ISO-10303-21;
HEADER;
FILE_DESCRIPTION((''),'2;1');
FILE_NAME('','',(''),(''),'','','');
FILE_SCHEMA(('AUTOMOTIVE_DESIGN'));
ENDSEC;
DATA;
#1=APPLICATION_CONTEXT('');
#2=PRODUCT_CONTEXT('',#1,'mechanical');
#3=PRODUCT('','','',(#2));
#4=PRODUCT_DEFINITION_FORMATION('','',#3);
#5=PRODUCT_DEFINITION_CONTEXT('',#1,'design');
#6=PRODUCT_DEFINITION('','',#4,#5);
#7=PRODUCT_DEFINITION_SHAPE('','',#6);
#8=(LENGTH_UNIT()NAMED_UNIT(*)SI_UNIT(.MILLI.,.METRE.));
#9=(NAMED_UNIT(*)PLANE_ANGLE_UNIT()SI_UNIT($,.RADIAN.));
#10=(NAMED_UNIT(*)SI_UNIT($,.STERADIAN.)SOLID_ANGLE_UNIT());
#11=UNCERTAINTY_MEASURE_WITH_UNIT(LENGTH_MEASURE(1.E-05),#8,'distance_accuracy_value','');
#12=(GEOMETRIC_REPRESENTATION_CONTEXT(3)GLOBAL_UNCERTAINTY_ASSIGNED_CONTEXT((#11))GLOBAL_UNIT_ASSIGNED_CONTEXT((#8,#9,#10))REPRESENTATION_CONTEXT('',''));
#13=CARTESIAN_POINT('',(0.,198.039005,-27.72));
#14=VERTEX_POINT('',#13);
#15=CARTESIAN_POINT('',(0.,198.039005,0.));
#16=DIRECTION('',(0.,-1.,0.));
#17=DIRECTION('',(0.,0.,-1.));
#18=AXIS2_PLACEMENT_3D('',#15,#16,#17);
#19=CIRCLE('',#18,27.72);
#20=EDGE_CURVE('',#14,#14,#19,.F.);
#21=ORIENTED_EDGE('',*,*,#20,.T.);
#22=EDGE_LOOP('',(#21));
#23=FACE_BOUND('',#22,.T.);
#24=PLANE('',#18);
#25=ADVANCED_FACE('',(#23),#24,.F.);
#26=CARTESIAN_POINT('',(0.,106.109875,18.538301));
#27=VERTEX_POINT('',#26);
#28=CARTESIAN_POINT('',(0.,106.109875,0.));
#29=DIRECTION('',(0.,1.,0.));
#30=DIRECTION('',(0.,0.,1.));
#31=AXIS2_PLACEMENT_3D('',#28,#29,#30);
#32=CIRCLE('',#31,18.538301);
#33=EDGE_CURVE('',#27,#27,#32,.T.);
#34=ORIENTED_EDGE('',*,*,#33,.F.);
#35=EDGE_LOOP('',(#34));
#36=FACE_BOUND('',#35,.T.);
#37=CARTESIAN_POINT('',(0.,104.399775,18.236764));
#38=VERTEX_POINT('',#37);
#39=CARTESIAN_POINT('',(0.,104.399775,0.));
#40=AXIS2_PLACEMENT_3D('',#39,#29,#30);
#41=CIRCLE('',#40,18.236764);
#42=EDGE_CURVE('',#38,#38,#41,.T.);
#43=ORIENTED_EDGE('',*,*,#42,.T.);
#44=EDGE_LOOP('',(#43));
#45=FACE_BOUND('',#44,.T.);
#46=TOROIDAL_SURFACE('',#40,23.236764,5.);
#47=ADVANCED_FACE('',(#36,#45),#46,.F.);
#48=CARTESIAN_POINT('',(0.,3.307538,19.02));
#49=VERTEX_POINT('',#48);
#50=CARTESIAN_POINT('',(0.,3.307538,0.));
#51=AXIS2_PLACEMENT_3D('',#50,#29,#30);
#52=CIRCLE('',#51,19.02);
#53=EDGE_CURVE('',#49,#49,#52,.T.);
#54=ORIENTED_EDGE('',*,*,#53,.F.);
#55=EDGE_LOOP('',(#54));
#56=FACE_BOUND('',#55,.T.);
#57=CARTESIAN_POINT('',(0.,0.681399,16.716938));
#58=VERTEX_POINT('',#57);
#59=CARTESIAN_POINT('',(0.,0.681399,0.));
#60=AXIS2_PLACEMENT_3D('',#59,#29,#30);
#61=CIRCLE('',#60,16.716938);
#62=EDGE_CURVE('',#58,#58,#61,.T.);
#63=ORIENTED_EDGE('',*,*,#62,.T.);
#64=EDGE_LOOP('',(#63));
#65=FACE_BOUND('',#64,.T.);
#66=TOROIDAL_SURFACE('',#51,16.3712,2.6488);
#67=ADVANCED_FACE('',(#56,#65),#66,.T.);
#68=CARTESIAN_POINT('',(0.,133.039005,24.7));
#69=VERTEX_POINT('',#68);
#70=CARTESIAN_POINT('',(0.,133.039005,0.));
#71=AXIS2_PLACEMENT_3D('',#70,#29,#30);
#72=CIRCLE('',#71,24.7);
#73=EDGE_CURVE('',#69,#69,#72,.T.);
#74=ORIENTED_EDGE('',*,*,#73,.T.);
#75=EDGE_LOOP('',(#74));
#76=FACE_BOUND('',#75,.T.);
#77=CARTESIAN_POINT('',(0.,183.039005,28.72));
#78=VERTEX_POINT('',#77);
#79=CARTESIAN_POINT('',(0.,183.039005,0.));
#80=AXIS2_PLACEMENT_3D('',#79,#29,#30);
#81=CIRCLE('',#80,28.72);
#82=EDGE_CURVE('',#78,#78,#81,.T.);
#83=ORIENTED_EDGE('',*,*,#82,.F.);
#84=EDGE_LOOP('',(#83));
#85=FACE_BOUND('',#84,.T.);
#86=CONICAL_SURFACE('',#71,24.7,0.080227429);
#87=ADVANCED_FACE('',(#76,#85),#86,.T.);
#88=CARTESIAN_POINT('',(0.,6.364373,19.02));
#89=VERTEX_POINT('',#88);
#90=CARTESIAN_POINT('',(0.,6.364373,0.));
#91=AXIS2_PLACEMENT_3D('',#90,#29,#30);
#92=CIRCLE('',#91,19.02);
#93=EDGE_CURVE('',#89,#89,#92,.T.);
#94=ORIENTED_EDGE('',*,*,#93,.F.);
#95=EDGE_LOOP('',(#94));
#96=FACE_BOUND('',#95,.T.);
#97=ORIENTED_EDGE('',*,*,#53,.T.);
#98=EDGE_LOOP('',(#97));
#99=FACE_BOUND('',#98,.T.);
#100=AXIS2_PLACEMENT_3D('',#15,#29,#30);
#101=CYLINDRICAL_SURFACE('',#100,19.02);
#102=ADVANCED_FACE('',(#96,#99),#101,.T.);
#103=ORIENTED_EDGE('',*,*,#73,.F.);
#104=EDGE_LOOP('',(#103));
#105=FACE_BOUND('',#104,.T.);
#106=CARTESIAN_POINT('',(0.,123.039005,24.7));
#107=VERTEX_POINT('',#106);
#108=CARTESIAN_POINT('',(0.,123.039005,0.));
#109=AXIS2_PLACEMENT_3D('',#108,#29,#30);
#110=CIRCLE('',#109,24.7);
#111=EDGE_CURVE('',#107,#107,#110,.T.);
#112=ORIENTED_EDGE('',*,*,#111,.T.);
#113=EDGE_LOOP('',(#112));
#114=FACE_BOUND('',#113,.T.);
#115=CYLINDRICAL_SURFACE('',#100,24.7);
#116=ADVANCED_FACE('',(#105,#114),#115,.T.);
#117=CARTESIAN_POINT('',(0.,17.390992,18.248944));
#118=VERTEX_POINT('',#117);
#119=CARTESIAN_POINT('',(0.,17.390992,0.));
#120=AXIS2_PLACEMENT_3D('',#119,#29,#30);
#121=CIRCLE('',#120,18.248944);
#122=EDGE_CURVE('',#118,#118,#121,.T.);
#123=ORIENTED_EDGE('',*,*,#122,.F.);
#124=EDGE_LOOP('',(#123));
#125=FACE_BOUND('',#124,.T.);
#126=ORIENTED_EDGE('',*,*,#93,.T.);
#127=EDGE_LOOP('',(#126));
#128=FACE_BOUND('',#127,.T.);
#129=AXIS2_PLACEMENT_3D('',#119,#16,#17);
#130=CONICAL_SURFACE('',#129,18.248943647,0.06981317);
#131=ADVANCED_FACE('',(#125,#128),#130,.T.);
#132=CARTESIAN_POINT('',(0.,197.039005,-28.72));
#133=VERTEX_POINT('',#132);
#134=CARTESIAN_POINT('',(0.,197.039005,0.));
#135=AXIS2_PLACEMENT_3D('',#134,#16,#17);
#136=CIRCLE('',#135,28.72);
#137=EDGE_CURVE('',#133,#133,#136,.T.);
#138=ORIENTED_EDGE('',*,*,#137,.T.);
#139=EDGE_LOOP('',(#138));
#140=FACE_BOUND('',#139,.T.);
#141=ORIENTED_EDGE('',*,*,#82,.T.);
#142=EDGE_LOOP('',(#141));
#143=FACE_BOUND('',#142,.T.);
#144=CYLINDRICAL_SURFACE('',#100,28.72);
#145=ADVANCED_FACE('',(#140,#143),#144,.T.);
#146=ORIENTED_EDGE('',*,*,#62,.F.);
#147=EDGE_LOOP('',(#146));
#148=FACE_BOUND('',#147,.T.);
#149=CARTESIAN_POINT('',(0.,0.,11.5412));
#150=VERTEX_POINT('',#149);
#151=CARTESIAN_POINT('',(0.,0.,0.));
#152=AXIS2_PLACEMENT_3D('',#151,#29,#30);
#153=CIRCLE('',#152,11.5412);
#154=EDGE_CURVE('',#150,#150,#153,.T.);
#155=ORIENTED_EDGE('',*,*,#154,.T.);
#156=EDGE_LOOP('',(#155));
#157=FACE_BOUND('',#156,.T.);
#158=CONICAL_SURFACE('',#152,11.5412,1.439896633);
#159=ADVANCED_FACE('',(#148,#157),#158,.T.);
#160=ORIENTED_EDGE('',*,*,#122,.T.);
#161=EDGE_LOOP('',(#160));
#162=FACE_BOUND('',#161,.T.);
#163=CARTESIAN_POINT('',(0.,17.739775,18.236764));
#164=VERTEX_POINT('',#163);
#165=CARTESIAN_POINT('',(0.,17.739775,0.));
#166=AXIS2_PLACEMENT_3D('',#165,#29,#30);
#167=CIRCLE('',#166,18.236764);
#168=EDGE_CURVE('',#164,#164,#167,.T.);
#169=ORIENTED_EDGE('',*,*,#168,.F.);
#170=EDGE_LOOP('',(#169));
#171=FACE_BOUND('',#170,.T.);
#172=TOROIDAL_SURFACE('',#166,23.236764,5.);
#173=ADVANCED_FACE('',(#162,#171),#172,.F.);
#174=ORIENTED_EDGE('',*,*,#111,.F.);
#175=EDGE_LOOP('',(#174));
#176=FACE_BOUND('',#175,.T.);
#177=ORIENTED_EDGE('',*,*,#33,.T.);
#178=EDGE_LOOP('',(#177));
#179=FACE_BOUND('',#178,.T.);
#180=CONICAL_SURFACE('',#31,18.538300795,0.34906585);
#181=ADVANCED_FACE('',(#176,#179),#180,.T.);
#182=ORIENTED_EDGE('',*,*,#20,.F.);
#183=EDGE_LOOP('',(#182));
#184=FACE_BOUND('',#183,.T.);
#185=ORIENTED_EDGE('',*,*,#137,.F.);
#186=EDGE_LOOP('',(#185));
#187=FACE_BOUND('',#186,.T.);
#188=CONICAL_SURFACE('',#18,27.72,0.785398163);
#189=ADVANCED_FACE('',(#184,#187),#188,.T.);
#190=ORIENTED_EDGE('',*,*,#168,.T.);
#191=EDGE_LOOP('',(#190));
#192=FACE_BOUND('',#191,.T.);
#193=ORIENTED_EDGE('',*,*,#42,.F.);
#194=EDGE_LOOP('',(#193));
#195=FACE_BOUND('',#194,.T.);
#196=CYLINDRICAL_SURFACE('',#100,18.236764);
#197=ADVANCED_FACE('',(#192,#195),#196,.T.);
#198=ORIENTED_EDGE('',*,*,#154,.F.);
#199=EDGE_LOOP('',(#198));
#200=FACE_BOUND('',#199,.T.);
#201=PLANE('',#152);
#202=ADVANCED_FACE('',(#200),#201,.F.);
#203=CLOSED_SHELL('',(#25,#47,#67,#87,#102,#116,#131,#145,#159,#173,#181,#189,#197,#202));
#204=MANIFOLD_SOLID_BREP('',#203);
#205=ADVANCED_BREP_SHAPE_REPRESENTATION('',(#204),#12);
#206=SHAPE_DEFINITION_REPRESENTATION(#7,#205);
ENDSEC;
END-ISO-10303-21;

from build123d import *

# Parameters (mm, degrees)
SFAZOWANIE1_SIZE = 1


with BuildPart() as part:
    # Szkic1 → Obrót5 (revolve)
    with BuildSketch(Plane.XY, mode=Mode.PRIVATE) as obr_t5_sk:
        with BuildLine():
            Line((-18.236763899, 104.399774637), (-18.236763899, 17.739774637))
            ThreePointArc((-18.236763899, 17.739774637), (-18.239809764, 17.565277154), (-18.248943647, 17.390992269))
            Line((-18.248943647, 17.390992269), (-19.02, 6.364372704))
            Line((-19.02, 6.364372704), (-19.02, 3.307537954))
            ThreePointArc((-19.02, 3.307537954), (-18.362673282, 1.561062759), (-16.716937778, 0.681398805))
            Line((-16.716937778, 0.681398805), (-11.5412, 0))
            Line((-11.5412, 0), (0, 0))
            Line((0, 0), (0, 198.039004786))
            Line((0, 198.039004786), (-28.72, 198.039004786))
            Line((-28.72, 198.039004786), (-28.72, 183.039004786))
            Line((-28.72, 183.039004786), (-24.7, 133.039004786))
            Line((-24.7, 133.039004786), (-24.7, 123.039004786))
            Line((-24.7, 123.039004786), (-18.538300795, 106.109875354))
            ThreePointArc((-18.538300795, 106.109875354), (-18.312725134, 105.268015526), (-18.236763899, 104.399774637))
        make_face()
    revolve(obr_t5_sk.sketch.rotate(Axis((0, 198.039004786, 0), (0, -1, 0)), 270), axis=Axis((0, 198.039004786, 0), (0, -1, 0)))

    # Sfazowanie1
    sfazowanie1_edges = [part.edges().sort_by_distance(p)[0] for p in [
        (0, 198.039004786, -28.72),
    ]]
    chamfer(sfazowanie1_edges, length=SFAZOWANIE1_SIZE)


solid = part.part
